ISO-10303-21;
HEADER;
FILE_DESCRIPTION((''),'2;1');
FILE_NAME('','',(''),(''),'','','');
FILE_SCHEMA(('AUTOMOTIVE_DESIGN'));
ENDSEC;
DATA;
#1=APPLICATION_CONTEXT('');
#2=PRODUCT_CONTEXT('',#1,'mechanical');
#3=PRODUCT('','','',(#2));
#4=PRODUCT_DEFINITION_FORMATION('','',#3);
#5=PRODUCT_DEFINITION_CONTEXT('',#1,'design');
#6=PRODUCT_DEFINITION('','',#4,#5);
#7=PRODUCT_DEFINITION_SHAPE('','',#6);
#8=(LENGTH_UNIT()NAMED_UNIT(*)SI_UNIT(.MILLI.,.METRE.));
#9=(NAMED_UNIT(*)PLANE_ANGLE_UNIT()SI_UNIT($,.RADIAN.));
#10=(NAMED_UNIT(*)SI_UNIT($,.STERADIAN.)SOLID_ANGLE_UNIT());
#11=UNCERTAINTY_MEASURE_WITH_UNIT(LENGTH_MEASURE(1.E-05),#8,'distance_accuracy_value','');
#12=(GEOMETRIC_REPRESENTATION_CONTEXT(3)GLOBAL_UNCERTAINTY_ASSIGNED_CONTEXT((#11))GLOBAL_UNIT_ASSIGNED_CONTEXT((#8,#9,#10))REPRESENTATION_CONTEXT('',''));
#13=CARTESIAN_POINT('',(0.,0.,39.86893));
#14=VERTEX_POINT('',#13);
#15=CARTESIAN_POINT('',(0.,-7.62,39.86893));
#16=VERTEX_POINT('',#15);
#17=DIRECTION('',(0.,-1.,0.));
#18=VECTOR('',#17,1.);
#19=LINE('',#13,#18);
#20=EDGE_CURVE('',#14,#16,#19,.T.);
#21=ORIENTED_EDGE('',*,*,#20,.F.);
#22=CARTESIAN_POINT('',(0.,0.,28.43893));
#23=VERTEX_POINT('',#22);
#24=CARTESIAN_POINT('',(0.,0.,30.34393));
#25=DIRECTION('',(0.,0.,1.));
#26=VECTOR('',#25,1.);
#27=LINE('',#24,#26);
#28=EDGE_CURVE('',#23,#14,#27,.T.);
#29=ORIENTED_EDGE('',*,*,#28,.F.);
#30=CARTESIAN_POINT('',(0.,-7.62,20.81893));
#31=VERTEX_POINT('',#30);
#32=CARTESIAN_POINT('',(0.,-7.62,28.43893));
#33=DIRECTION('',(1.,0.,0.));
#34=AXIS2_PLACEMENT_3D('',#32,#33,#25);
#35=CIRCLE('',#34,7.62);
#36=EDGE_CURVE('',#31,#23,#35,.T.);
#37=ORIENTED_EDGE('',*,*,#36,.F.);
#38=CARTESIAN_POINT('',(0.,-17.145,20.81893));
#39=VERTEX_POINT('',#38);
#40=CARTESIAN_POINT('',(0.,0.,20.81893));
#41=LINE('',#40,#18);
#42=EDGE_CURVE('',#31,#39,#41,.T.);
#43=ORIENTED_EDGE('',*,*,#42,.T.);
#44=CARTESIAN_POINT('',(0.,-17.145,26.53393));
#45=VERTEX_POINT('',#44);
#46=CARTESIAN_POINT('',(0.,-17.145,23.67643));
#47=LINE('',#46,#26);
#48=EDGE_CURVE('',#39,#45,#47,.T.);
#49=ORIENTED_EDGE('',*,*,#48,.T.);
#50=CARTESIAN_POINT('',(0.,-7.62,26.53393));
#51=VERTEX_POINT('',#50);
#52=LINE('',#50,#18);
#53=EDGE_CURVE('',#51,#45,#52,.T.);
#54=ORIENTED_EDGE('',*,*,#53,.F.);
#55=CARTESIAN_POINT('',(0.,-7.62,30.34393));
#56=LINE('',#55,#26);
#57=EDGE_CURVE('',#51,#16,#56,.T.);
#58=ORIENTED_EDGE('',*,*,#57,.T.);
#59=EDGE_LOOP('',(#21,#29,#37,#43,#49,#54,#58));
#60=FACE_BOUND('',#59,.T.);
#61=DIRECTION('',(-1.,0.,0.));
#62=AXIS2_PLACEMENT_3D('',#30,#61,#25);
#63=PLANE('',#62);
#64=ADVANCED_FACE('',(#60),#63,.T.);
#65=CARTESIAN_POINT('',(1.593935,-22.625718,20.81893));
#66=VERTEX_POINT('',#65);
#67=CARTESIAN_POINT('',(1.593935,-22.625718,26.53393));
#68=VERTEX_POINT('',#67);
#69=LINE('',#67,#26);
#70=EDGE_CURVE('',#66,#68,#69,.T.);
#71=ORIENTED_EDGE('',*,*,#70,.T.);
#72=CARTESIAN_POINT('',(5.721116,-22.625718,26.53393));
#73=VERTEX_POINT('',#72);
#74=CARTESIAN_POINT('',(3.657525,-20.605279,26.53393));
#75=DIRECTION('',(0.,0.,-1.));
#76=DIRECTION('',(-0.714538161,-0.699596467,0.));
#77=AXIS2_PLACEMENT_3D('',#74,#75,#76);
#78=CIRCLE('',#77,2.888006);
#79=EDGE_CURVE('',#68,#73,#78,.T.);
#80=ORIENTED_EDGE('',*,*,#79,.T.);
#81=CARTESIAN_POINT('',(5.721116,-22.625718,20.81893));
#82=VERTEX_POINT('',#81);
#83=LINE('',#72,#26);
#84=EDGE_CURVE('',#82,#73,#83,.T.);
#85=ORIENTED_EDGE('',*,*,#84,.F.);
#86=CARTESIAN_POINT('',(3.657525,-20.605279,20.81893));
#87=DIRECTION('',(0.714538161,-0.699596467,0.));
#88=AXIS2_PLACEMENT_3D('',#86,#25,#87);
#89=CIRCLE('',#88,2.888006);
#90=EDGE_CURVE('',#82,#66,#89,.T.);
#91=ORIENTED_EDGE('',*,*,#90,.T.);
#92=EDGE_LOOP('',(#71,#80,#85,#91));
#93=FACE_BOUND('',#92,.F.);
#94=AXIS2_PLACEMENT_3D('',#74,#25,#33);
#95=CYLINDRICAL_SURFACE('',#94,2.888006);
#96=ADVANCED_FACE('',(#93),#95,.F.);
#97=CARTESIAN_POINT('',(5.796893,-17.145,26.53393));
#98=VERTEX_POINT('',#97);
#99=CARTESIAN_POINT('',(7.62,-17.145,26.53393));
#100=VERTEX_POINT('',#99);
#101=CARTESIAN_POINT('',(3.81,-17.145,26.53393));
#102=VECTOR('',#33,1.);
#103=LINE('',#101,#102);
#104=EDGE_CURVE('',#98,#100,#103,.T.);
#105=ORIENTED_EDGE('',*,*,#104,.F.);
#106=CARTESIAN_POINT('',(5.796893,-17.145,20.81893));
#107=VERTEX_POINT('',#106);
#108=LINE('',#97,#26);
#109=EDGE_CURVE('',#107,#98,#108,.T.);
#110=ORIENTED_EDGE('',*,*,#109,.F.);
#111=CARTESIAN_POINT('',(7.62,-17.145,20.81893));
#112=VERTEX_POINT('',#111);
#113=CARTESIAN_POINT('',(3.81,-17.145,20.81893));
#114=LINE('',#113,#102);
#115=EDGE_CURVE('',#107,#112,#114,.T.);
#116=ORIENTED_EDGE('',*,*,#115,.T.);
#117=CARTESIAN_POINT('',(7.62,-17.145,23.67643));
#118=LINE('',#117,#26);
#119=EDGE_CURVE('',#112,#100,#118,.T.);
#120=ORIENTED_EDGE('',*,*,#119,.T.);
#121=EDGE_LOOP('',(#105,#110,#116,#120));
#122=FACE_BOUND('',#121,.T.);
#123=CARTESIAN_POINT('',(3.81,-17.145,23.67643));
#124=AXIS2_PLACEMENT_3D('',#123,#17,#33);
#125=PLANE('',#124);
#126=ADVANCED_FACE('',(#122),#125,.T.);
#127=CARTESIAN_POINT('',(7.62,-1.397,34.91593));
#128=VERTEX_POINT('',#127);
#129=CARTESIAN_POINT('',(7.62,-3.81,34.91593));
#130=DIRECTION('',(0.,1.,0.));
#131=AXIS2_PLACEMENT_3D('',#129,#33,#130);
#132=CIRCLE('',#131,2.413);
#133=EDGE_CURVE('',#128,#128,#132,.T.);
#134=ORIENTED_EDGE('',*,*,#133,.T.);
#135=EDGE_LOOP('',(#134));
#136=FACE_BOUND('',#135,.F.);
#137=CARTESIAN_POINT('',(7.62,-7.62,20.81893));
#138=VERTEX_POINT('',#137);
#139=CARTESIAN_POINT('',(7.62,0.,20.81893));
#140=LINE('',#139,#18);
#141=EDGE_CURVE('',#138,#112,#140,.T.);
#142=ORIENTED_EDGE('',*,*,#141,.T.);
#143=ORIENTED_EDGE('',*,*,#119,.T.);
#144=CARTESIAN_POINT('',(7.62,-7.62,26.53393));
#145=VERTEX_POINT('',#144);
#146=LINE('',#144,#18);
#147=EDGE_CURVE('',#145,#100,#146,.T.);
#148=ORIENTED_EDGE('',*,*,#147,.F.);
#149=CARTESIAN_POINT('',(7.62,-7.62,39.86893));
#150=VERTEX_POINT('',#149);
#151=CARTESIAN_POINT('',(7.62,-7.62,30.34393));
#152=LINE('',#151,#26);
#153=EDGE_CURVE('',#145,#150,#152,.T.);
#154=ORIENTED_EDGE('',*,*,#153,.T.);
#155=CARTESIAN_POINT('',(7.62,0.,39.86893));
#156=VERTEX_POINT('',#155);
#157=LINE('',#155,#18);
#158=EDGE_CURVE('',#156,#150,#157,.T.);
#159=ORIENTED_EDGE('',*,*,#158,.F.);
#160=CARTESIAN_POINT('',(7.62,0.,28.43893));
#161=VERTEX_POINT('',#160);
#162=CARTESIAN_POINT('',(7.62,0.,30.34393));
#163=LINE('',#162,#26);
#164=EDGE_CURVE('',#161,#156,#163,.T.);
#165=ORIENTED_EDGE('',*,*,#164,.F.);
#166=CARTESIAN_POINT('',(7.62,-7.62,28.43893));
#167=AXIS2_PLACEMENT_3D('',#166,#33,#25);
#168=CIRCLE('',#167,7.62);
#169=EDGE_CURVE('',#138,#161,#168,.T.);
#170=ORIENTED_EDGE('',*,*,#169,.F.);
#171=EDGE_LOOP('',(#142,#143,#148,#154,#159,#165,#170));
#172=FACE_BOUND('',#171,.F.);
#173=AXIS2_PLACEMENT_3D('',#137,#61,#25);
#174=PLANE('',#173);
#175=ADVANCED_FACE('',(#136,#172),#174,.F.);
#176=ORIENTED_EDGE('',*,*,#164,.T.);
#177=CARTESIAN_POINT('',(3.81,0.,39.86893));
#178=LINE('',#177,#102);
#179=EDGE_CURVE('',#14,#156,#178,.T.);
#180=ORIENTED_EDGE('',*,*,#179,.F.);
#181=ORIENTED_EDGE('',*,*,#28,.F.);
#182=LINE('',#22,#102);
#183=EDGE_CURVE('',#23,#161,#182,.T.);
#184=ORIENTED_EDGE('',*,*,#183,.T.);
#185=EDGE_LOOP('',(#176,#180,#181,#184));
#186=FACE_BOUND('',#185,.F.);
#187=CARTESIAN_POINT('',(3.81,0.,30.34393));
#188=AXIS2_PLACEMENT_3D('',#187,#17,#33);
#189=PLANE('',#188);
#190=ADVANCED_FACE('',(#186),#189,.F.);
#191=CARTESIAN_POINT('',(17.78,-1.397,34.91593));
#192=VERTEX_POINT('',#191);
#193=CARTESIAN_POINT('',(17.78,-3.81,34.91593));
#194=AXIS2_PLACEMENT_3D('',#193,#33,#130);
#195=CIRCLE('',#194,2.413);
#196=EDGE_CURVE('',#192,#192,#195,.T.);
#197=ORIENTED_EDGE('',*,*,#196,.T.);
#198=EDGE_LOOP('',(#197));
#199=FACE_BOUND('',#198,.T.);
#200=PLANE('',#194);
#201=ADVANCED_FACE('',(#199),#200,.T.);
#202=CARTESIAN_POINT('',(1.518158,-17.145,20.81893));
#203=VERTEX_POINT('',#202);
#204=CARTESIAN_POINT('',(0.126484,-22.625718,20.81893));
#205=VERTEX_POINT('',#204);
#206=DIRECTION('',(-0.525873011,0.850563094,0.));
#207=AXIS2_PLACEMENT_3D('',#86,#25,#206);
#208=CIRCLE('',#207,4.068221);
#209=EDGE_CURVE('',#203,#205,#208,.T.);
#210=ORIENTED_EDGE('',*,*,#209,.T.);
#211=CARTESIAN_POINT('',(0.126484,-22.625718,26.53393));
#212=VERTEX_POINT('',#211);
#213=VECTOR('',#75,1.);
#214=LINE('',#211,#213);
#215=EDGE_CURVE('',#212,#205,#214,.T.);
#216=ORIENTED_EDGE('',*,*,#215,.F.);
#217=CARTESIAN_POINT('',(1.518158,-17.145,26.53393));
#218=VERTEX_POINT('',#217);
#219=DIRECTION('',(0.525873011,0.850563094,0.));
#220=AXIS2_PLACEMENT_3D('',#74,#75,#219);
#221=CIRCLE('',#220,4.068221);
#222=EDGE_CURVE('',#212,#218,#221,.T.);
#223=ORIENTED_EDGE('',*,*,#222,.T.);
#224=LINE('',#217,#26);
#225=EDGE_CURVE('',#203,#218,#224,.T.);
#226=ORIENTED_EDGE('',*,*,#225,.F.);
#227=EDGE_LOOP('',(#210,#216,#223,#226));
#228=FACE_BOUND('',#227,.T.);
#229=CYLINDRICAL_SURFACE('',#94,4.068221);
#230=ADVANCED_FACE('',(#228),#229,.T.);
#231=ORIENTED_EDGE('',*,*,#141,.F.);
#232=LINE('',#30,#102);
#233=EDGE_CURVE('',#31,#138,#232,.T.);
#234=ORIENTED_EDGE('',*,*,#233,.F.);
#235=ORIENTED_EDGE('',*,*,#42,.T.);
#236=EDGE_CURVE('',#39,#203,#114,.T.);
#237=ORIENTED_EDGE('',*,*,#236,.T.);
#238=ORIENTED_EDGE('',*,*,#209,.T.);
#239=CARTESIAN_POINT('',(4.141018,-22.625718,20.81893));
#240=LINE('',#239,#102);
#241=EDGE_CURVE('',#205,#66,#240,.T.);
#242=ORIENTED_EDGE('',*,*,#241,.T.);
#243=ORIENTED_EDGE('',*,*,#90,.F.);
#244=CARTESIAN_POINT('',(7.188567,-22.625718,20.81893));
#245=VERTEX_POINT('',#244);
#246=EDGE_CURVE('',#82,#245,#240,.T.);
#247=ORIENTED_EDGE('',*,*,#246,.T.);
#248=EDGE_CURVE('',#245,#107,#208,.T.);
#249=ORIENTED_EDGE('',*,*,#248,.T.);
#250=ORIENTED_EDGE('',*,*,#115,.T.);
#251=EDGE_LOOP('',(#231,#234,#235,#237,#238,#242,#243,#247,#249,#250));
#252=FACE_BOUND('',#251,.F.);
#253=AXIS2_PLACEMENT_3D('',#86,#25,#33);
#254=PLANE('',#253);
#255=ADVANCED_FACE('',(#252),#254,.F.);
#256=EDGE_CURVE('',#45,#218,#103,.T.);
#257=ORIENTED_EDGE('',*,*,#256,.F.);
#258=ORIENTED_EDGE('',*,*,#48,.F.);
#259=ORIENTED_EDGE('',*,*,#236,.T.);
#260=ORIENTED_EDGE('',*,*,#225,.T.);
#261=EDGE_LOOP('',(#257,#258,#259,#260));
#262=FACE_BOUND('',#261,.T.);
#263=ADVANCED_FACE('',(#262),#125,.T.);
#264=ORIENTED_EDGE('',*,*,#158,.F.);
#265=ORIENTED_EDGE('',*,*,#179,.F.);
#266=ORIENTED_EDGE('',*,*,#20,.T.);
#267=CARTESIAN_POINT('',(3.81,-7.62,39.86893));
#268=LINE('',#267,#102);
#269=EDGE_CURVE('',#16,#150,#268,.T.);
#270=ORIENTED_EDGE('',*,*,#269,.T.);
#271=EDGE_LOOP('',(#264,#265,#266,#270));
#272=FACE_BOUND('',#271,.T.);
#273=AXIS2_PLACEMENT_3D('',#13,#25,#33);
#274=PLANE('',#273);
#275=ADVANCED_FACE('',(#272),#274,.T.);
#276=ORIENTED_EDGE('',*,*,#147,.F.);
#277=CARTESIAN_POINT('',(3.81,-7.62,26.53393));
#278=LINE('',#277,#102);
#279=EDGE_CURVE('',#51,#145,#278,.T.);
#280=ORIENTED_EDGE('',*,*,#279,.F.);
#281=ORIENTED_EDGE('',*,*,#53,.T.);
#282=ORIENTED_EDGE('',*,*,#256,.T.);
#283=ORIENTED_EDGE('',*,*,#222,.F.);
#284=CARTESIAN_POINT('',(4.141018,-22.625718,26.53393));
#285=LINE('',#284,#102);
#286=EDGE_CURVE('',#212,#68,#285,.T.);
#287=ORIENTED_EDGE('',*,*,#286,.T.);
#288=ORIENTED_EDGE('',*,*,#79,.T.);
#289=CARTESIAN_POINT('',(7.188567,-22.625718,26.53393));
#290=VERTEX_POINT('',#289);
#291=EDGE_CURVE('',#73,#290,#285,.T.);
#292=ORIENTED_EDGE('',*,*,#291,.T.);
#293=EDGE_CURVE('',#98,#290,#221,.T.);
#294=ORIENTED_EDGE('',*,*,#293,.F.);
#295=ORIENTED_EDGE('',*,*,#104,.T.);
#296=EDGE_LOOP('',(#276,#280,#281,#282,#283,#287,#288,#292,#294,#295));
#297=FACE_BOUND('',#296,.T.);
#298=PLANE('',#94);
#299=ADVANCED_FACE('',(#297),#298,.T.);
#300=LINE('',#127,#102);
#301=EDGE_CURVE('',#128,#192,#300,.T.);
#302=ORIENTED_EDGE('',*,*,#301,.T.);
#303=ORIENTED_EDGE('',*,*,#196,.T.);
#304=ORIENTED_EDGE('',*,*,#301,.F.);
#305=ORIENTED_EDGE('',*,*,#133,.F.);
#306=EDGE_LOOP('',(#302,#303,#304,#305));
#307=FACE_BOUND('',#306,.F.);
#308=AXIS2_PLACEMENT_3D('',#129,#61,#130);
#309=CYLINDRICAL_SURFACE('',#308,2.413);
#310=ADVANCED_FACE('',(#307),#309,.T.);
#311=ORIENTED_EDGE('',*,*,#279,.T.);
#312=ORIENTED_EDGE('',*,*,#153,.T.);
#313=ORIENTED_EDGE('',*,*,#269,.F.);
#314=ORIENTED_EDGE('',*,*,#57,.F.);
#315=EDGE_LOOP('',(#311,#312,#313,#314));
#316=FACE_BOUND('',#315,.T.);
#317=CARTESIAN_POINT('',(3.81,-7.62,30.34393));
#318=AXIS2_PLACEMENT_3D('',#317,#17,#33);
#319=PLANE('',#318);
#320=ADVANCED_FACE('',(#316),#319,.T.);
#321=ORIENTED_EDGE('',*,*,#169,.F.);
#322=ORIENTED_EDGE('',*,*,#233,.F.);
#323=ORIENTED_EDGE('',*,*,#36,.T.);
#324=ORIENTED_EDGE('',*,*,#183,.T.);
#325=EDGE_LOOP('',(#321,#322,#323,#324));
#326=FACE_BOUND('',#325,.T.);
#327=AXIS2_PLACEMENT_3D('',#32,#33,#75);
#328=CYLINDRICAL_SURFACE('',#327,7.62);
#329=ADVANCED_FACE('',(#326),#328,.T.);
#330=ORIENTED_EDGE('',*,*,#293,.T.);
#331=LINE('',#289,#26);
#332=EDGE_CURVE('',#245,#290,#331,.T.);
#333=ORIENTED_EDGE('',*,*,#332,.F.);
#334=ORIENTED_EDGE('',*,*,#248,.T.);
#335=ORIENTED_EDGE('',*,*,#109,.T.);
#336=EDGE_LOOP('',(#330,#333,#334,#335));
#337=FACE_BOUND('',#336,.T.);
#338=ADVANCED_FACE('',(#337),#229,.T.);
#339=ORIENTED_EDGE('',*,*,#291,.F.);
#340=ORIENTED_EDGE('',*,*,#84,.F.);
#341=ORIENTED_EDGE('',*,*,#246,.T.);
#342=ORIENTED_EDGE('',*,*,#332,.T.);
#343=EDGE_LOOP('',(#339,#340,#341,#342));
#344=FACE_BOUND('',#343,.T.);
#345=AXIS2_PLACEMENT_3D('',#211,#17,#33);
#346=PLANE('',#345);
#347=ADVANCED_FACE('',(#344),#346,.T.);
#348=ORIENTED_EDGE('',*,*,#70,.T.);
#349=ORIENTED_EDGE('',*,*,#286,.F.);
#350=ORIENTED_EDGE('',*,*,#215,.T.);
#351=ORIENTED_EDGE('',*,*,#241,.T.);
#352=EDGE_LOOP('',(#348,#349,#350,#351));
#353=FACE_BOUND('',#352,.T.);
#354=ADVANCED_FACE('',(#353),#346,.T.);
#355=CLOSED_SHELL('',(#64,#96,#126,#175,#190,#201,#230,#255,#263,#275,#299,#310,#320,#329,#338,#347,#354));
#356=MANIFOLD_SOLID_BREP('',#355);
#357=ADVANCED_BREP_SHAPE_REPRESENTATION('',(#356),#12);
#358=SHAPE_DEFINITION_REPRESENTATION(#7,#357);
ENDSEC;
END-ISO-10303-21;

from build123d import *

# Parameters (mm, degrees)
F0_W      = 5.08
F0_H      = 12.7
F1_DEPTH  = 5.08
F2_W      = 5.08
F2_H      = 3.81
F3_DEPTH  = 6.35
F4_R      = 5.08
F5_R      = 2.7121475218
F6_DEPTH  = 3.81
F7_R      = 1.9253373718
F8_DEPTH  = 3.81
F9_W      = 5.3527112813
F9_H      = 1.6279429131
F10_DEPTH = 3.81
F11_SCALE = 1.5
F12_R     = 2.413
F13_DEPTH = 10.16


with BuildPart() as f1:
    # F0 (on Front) → F1 (new body)
    with BuildSketch(Plane.XZ):
        with Locations((2.54, 20.2292869008)):
            Rectangle(F0_W, F0_H)
    extrude(amount=F1_DEPTH)

    # F2 (on face) → F3 (join)
    with BuildSketch(Plane.XZ.offset(5.08)):
        with Locations((2.54, 15.7842869008)):
            Rectangle(F2_W, F2_H)
    extrude(amount=F3_DEPTH)

    # F4
    f4_edges = [f1.edges().sort_by_distance(p)[0] for p in [
        (2.54, 0, 13.879287),
    ]]
    fillet(f4_edges, radius=F4_R)

    # F5 (on face) → F6 (join)
    with BuildSketch(Plane.XY.offset(17.6892869008)):
        with Locations((2.4383503072, -13.7368525874)):
            Circle(F5_R)
    extrude(amount=-F6_DEPTH)

    # F7 (on face) → F8 (cut)
    with BuildSketch(Plane.XY.offset(17.6892869008)):
        with Locations((2.4383503072, -13.7368525874)):
            Circle(F7_R)
    extrude(amount=-F8_DEPTH, mode=Mode.SUBTRACT)

    # F9 (on face) → F10 (cut)
    with BuildSketch(Plane.XY.offset(17.6892869008)):
        with Locations((2.7606785416, -15.8977832678)):
            Rectangle(F9_W, F9_H)
    extrude(amount=-F10_DEPTH, mode=Mode.SUBTRACT)


with BuildPart() as f1_1:
    # F11: moved
    add(f1.part.scale(F11_SCALE))

    # F12 (on face) → F13 (join)
    with BuildSketch(Plane.YZ.offset(7.62)):
        with Locations((-3.81, 34.9159303513)):
            Circle(F12_R)
    extrude(amount=F13_DEPTH)


solid = f1_1.part
